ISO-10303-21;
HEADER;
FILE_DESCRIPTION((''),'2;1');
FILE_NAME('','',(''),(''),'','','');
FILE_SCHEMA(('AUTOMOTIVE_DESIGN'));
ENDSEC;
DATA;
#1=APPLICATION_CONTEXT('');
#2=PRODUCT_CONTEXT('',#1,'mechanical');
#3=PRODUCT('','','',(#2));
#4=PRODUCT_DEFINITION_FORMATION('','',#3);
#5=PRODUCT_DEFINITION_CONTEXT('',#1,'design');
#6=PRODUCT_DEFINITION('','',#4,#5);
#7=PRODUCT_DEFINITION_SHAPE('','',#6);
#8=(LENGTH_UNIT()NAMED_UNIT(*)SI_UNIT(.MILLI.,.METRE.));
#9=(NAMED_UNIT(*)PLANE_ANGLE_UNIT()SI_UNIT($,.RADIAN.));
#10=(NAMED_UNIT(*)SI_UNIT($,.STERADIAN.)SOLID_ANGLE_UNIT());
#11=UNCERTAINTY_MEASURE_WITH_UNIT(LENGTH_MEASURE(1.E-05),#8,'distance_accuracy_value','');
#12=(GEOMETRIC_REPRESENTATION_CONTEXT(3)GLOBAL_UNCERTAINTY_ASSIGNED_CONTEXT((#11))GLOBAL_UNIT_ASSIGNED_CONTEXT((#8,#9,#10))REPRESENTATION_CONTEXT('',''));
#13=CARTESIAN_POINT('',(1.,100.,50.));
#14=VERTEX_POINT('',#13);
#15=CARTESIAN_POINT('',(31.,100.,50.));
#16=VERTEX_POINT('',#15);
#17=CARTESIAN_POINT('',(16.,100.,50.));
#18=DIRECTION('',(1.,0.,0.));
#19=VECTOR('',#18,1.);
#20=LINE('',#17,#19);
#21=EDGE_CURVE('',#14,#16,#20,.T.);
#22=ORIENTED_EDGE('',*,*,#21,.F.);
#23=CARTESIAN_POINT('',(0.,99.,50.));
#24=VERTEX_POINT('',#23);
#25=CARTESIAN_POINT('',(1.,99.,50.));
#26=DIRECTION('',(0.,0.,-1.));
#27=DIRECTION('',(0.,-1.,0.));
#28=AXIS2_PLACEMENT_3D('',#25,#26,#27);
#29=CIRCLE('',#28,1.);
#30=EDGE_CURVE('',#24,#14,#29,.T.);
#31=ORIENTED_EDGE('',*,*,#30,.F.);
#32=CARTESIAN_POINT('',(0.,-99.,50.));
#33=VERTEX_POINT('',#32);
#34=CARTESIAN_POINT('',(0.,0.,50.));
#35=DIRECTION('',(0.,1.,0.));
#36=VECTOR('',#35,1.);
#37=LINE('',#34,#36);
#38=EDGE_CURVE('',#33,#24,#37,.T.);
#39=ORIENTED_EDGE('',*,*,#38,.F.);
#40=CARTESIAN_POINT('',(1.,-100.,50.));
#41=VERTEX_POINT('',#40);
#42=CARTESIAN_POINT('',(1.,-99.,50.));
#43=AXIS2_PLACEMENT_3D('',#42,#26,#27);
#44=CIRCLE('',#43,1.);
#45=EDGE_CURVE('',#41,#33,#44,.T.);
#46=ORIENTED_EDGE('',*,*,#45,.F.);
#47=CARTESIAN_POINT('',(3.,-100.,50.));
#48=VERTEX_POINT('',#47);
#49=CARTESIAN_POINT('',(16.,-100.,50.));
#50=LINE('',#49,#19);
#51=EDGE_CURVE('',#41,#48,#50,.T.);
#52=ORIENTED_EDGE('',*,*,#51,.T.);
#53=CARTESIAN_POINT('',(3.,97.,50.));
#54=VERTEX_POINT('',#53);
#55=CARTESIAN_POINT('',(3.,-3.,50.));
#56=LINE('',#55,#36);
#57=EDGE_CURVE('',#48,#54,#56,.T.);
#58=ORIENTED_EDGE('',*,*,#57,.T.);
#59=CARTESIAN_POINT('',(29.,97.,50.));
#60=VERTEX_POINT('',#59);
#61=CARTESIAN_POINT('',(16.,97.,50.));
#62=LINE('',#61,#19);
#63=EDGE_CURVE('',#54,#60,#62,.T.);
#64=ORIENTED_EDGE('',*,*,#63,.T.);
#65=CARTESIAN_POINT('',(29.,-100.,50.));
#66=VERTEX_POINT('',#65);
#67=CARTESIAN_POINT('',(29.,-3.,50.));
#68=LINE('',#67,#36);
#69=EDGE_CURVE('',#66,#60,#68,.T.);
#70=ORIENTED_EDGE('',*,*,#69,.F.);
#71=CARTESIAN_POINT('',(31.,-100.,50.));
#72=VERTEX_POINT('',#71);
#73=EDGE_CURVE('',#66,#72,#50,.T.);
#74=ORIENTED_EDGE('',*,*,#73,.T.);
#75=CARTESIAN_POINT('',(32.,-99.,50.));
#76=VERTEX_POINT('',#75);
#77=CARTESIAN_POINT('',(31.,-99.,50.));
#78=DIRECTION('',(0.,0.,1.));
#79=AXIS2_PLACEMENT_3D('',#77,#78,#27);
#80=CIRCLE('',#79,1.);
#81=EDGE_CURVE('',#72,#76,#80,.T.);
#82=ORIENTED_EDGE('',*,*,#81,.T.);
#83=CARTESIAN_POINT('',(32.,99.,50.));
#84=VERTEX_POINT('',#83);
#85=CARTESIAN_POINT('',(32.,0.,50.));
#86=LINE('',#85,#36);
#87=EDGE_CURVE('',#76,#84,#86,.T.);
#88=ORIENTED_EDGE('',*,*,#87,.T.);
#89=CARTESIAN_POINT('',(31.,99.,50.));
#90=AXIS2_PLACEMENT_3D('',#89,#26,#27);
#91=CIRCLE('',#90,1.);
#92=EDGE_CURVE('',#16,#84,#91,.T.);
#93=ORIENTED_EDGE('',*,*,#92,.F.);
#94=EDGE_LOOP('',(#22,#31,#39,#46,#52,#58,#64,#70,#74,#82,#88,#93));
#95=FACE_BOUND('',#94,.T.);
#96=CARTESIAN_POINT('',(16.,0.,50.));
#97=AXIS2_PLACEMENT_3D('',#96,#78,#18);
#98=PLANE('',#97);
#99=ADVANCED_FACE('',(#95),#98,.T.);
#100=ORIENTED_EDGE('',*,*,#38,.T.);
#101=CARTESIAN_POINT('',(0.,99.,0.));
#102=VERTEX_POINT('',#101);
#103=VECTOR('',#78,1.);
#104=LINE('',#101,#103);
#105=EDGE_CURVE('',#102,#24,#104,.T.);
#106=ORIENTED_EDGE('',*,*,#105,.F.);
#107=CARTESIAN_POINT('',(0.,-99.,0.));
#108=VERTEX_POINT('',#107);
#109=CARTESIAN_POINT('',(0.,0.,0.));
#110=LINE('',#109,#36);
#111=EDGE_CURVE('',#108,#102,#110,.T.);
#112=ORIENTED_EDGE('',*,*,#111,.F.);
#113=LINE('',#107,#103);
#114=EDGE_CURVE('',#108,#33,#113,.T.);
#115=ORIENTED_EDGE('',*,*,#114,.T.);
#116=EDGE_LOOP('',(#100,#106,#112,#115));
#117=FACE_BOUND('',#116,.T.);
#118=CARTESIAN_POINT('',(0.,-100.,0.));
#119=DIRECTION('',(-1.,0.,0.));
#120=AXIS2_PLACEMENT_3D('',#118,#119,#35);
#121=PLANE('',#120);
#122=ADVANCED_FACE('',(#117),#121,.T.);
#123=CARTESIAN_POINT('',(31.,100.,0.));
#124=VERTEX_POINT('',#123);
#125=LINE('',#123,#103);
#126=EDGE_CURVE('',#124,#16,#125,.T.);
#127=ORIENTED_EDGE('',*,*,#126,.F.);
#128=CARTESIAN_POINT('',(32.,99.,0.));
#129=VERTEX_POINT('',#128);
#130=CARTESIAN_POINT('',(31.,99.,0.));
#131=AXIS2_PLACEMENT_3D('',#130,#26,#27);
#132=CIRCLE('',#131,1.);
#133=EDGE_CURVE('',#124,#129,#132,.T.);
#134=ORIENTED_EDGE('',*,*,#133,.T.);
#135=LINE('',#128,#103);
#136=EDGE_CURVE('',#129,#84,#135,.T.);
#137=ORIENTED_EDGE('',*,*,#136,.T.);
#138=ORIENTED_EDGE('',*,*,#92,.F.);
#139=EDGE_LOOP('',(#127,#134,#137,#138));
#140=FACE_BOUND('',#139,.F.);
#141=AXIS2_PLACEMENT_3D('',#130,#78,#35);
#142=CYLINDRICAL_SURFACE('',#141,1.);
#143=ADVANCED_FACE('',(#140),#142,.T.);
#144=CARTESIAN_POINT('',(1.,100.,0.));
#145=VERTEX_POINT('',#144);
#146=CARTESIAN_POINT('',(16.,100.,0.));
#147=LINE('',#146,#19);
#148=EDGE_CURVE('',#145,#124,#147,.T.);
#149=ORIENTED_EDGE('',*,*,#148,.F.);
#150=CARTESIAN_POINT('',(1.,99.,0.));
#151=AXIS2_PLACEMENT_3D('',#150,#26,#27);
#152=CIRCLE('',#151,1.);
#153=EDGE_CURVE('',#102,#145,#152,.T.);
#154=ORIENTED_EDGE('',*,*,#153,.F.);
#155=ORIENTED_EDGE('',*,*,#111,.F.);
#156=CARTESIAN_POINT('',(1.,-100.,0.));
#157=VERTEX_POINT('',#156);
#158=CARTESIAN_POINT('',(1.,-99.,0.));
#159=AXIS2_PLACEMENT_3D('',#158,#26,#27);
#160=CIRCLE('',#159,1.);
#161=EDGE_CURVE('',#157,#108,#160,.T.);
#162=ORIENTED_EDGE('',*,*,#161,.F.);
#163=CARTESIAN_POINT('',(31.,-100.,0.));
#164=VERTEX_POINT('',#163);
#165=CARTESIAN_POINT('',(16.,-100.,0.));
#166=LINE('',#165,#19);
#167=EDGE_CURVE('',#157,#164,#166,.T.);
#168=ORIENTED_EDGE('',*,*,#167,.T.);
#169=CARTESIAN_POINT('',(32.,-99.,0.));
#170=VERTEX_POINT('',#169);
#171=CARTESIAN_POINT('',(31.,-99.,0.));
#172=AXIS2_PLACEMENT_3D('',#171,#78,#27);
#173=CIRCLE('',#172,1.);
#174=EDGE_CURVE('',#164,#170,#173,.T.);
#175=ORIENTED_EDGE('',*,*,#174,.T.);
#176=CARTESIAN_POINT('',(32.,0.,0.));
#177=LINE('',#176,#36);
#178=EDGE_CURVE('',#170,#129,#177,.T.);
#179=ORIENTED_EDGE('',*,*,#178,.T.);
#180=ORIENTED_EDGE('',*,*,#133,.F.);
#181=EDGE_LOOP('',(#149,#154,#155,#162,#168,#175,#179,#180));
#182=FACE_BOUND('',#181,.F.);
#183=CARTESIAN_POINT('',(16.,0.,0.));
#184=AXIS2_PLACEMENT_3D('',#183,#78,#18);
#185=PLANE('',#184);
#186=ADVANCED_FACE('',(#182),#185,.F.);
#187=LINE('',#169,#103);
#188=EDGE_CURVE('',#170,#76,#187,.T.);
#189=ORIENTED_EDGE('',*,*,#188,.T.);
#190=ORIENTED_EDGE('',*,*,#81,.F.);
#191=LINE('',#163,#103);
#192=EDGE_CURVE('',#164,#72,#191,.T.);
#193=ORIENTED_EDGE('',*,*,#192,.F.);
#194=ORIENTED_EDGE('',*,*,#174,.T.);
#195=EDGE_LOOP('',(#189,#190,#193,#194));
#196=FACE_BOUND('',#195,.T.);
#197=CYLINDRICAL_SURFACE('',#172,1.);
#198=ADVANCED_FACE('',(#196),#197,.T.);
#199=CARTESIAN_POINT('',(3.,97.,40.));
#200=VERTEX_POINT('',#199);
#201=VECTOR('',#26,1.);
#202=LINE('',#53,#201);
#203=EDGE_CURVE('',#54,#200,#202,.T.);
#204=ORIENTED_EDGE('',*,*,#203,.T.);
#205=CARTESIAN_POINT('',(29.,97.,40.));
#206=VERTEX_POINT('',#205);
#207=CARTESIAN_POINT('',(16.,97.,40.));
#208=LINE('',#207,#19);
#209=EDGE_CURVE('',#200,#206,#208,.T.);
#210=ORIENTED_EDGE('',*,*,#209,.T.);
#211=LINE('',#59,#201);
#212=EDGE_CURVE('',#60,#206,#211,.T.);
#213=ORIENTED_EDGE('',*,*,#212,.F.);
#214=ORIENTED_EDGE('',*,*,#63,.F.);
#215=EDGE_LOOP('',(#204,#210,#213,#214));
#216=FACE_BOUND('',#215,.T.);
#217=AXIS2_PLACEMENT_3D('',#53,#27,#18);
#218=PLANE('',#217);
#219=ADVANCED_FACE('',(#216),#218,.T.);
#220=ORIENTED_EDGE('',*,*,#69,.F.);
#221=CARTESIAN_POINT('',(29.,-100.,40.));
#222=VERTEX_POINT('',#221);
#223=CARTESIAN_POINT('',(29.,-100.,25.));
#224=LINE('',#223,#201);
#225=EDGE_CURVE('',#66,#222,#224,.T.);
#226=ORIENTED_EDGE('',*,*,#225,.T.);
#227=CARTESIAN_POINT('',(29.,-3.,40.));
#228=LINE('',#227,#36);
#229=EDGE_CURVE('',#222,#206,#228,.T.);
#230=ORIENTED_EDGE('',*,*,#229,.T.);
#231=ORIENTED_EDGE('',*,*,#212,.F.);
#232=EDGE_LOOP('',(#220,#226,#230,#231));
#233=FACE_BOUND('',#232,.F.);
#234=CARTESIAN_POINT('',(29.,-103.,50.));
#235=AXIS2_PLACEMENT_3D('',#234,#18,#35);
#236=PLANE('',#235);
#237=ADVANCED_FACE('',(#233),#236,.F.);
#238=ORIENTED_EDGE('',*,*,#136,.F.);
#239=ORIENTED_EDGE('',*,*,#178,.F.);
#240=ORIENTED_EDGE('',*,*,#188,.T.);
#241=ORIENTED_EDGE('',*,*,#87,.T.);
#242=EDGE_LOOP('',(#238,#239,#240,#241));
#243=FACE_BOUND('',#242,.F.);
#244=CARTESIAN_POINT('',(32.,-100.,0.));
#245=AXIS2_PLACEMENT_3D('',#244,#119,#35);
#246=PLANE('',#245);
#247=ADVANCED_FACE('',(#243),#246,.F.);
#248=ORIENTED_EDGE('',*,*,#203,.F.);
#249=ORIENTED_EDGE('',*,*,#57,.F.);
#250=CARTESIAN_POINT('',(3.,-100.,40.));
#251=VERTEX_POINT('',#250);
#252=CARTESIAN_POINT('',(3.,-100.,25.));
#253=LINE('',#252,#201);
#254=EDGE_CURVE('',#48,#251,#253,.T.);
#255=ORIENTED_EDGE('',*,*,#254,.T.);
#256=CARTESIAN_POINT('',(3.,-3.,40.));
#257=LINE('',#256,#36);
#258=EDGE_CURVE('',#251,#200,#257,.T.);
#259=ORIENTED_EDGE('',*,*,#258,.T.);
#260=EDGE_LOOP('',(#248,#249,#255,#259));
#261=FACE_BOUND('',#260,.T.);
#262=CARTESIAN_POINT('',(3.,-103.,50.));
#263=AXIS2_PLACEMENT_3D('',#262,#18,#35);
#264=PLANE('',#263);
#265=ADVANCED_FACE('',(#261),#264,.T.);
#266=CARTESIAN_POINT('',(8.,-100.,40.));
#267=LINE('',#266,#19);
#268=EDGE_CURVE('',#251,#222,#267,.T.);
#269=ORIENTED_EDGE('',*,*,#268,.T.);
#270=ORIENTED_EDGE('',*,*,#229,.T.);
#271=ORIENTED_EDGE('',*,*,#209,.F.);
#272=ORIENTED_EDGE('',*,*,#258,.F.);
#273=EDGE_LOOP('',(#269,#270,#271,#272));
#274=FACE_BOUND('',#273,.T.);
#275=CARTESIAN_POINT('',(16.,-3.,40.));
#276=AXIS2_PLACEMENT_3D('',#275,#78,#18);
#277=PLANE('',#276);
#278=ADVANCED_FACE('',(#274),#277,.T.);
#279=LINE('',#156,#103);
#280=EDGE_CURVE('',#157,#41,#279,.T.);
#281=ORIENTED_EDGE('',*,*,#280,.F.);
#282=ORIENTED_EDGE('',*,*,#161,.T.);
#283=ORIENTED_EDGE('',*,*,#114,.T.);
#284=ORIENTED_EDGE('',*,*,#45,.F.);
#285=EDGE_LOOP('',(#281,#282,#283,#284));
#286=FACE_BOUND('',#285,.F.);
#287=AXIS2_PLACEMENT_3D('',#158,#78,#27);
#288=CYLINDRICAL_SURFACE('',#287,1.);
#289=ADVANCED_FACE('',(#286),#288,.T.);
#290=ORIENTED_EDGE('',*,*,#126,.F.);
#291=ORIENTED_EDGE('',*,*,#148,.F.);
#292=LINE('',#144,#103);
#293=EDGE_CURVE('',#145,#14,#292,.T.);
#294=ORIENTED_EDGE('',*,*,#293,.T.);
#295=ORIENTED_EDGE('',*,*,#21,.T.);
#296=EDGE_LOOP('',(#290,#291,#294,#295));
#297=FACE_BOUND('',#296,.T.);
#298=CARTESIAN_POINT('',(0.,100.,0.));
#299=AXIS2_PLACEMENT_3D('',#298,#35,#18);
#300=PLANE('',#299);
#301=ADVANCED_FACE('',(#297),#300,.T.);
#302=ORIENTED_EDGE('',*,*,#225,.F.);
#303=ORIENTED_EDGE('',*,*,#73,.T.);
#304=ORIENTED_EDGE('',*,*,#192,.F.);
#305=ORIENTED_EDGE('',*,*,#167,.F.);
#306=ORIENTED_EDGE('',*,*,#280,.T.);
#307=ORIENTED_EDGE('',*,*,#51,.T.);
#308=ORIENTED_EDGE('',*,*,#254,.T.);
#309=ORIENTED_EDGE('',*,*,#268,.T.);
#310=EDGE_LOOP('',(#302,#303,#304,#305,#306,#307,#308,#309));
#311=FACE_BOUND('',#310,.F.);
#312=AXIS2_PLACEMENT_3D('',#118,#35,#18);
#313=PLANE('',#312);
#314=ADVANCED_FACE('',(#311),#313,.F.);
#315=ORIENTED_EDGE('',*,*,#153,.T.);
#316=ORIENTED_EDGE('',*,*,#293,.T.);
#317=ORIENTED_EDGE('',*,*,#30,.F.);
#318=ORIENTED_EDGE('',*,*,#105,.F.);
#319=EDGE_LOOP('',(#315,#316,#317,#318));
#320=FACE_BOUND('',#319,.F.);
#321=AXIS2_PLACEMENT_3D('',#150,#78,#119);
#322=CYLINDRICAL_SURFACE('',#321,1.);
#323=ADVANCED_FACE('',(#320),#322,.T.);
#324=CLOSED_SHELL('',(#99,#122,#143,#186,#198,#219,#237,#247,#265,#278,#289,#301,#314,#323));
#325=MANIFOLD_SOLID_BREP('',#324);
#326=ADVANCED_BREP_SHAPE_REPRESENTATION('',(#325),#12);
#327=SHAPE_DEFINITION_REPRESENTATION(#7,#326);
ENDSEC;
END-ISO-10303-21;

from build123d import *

# Parameters (mm, degrees)
SKETCH_W     = 32
SKETCH_H     = 200
PAD_DEPTH    = 50
SKETCH001_W  = 26
SKETCH001_H  = 200
POCKET_DEPTH = 10
FILLET_R     = 1
FILLET001_R  = 1
FILLET002_R  = 1
FILLET003_R  = 1


with BuildPart() as part:
    # Sketch → Pad (new body)
    with BuildSketch(Plane.XY):
        with Locations((16, 0)):
            Rectangle(SKETCH_W, SKETCH_H)
    extrude(amount=PAD_DEPTH)

    # Sketch001 (on Face6 of Pad) → Pocket (cut)
    with BuildSketch(Plane.XY.offset(50)):
        with Locations((16, -3)):
            Rectangle(SKETCH001_W, SKETCH001_H)
    extrude(amount=-POCKET_DEPTH, mode=Mode.SUBTRACT)

    # Fillet
    fillet_edges = [part.edges().sort_by_distance(p)[0] for p in [
        (32, -100, 25),
    ]]
    fillet(fillet_edges, radius=FILLET_R)

    # Fillet001
    fillet001_edges = [part.edges().sort_by_distance(p)[0] for p in [
        (0, -100, 25),
    ]]
    fillet(fillet001_edges, radius=FILLET001_R)

    # Fillet002
    fillet002_edges = [part.edges().sort_by_distance(p)[0] for p in [
        (0, 100, 25),
    ]]
    fillet(fillet002_edges, radius=FILLET002_R)

    # Fillet003
    fillet003_edges = [part.edges().sort_by_distance(p)[0] for p in [
        (32, 100, 25),
    ]]
    fillet(fillet003_edges, radius=FILLET003_R)


solid = part.part
